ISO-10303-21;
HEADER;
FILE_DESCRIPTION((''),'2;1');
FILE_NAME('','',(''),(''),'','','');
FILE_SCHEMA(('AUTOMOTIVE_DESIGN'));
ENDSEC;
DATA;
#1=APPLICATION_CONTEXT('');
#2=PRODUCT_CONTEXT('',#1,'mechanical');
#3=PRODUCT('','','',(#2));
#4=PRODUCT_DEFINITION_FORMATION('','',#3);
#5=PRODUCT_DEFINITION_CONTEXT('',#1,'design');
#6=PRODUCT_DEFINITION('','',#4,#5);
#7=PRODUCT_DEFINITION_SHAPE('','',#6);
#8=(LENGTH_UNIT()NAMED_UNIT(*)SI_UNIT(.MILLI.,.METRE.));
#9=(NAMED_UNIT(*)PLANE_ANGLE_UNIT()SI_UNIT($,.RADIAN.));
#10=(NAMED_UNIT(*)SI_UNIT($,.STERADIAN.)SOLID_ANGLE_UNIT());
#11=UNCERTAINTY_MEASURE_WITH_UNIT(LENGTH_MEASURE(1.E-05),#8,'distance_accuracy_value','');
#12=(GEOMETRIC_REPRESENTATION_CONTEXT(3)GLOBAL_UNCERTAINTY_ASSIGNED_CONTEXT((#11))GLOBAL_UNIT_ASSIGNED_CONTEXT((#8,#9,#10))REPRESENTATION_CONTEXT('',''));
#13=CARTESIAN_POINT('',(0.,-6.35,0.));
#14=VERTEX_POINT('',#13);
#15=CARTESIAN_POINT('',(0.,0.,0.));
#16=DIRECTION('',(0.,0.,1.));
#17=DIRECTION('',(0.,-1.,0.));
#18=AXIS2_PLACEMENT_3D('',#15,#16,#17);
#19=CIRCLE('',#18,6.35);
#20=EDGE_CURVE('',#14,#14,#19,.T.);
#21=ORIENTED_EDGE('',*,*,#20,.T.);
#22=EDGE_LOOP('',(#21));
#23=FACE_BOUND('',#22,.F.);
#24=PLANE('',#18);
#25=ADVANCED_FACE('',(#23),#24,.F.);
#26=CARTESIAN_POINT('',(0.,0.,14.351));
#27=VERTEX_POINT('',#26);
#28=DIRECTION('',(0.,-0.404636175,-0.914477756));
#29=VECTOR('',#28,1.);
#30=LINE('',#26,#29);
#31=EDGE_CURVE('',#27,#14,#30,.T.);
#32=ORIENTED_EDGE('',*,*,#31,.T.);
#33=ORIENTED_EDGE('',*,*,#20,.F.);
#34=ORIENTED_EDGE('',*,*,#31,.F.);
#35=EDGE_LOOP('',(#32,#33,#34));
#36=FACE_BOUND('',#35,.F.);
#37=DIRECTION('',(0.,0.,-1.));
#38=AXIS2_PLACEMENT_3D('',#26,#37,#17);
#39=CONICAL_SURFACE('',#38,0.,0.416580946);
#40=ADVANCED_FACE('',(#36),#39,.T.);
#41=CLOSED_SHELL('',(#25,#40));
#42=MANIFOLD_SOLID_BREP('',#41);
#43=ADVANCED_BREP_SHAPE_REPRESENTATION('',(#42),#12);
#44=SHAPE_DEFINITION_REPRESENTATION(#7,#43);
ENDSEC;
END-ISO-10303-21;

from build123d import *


with BuildPart() as f1:
    # F0 (on Right) → F1 (revolve)
    with BuildSketch(Plane.YZ):
        Polygon((-6.35, 0), (0, 0), (0, 14.351), align=None)
    revolve(axis=Axis((0, 0, 7.1755), (0, 0, 1)))


solid = f1.part
